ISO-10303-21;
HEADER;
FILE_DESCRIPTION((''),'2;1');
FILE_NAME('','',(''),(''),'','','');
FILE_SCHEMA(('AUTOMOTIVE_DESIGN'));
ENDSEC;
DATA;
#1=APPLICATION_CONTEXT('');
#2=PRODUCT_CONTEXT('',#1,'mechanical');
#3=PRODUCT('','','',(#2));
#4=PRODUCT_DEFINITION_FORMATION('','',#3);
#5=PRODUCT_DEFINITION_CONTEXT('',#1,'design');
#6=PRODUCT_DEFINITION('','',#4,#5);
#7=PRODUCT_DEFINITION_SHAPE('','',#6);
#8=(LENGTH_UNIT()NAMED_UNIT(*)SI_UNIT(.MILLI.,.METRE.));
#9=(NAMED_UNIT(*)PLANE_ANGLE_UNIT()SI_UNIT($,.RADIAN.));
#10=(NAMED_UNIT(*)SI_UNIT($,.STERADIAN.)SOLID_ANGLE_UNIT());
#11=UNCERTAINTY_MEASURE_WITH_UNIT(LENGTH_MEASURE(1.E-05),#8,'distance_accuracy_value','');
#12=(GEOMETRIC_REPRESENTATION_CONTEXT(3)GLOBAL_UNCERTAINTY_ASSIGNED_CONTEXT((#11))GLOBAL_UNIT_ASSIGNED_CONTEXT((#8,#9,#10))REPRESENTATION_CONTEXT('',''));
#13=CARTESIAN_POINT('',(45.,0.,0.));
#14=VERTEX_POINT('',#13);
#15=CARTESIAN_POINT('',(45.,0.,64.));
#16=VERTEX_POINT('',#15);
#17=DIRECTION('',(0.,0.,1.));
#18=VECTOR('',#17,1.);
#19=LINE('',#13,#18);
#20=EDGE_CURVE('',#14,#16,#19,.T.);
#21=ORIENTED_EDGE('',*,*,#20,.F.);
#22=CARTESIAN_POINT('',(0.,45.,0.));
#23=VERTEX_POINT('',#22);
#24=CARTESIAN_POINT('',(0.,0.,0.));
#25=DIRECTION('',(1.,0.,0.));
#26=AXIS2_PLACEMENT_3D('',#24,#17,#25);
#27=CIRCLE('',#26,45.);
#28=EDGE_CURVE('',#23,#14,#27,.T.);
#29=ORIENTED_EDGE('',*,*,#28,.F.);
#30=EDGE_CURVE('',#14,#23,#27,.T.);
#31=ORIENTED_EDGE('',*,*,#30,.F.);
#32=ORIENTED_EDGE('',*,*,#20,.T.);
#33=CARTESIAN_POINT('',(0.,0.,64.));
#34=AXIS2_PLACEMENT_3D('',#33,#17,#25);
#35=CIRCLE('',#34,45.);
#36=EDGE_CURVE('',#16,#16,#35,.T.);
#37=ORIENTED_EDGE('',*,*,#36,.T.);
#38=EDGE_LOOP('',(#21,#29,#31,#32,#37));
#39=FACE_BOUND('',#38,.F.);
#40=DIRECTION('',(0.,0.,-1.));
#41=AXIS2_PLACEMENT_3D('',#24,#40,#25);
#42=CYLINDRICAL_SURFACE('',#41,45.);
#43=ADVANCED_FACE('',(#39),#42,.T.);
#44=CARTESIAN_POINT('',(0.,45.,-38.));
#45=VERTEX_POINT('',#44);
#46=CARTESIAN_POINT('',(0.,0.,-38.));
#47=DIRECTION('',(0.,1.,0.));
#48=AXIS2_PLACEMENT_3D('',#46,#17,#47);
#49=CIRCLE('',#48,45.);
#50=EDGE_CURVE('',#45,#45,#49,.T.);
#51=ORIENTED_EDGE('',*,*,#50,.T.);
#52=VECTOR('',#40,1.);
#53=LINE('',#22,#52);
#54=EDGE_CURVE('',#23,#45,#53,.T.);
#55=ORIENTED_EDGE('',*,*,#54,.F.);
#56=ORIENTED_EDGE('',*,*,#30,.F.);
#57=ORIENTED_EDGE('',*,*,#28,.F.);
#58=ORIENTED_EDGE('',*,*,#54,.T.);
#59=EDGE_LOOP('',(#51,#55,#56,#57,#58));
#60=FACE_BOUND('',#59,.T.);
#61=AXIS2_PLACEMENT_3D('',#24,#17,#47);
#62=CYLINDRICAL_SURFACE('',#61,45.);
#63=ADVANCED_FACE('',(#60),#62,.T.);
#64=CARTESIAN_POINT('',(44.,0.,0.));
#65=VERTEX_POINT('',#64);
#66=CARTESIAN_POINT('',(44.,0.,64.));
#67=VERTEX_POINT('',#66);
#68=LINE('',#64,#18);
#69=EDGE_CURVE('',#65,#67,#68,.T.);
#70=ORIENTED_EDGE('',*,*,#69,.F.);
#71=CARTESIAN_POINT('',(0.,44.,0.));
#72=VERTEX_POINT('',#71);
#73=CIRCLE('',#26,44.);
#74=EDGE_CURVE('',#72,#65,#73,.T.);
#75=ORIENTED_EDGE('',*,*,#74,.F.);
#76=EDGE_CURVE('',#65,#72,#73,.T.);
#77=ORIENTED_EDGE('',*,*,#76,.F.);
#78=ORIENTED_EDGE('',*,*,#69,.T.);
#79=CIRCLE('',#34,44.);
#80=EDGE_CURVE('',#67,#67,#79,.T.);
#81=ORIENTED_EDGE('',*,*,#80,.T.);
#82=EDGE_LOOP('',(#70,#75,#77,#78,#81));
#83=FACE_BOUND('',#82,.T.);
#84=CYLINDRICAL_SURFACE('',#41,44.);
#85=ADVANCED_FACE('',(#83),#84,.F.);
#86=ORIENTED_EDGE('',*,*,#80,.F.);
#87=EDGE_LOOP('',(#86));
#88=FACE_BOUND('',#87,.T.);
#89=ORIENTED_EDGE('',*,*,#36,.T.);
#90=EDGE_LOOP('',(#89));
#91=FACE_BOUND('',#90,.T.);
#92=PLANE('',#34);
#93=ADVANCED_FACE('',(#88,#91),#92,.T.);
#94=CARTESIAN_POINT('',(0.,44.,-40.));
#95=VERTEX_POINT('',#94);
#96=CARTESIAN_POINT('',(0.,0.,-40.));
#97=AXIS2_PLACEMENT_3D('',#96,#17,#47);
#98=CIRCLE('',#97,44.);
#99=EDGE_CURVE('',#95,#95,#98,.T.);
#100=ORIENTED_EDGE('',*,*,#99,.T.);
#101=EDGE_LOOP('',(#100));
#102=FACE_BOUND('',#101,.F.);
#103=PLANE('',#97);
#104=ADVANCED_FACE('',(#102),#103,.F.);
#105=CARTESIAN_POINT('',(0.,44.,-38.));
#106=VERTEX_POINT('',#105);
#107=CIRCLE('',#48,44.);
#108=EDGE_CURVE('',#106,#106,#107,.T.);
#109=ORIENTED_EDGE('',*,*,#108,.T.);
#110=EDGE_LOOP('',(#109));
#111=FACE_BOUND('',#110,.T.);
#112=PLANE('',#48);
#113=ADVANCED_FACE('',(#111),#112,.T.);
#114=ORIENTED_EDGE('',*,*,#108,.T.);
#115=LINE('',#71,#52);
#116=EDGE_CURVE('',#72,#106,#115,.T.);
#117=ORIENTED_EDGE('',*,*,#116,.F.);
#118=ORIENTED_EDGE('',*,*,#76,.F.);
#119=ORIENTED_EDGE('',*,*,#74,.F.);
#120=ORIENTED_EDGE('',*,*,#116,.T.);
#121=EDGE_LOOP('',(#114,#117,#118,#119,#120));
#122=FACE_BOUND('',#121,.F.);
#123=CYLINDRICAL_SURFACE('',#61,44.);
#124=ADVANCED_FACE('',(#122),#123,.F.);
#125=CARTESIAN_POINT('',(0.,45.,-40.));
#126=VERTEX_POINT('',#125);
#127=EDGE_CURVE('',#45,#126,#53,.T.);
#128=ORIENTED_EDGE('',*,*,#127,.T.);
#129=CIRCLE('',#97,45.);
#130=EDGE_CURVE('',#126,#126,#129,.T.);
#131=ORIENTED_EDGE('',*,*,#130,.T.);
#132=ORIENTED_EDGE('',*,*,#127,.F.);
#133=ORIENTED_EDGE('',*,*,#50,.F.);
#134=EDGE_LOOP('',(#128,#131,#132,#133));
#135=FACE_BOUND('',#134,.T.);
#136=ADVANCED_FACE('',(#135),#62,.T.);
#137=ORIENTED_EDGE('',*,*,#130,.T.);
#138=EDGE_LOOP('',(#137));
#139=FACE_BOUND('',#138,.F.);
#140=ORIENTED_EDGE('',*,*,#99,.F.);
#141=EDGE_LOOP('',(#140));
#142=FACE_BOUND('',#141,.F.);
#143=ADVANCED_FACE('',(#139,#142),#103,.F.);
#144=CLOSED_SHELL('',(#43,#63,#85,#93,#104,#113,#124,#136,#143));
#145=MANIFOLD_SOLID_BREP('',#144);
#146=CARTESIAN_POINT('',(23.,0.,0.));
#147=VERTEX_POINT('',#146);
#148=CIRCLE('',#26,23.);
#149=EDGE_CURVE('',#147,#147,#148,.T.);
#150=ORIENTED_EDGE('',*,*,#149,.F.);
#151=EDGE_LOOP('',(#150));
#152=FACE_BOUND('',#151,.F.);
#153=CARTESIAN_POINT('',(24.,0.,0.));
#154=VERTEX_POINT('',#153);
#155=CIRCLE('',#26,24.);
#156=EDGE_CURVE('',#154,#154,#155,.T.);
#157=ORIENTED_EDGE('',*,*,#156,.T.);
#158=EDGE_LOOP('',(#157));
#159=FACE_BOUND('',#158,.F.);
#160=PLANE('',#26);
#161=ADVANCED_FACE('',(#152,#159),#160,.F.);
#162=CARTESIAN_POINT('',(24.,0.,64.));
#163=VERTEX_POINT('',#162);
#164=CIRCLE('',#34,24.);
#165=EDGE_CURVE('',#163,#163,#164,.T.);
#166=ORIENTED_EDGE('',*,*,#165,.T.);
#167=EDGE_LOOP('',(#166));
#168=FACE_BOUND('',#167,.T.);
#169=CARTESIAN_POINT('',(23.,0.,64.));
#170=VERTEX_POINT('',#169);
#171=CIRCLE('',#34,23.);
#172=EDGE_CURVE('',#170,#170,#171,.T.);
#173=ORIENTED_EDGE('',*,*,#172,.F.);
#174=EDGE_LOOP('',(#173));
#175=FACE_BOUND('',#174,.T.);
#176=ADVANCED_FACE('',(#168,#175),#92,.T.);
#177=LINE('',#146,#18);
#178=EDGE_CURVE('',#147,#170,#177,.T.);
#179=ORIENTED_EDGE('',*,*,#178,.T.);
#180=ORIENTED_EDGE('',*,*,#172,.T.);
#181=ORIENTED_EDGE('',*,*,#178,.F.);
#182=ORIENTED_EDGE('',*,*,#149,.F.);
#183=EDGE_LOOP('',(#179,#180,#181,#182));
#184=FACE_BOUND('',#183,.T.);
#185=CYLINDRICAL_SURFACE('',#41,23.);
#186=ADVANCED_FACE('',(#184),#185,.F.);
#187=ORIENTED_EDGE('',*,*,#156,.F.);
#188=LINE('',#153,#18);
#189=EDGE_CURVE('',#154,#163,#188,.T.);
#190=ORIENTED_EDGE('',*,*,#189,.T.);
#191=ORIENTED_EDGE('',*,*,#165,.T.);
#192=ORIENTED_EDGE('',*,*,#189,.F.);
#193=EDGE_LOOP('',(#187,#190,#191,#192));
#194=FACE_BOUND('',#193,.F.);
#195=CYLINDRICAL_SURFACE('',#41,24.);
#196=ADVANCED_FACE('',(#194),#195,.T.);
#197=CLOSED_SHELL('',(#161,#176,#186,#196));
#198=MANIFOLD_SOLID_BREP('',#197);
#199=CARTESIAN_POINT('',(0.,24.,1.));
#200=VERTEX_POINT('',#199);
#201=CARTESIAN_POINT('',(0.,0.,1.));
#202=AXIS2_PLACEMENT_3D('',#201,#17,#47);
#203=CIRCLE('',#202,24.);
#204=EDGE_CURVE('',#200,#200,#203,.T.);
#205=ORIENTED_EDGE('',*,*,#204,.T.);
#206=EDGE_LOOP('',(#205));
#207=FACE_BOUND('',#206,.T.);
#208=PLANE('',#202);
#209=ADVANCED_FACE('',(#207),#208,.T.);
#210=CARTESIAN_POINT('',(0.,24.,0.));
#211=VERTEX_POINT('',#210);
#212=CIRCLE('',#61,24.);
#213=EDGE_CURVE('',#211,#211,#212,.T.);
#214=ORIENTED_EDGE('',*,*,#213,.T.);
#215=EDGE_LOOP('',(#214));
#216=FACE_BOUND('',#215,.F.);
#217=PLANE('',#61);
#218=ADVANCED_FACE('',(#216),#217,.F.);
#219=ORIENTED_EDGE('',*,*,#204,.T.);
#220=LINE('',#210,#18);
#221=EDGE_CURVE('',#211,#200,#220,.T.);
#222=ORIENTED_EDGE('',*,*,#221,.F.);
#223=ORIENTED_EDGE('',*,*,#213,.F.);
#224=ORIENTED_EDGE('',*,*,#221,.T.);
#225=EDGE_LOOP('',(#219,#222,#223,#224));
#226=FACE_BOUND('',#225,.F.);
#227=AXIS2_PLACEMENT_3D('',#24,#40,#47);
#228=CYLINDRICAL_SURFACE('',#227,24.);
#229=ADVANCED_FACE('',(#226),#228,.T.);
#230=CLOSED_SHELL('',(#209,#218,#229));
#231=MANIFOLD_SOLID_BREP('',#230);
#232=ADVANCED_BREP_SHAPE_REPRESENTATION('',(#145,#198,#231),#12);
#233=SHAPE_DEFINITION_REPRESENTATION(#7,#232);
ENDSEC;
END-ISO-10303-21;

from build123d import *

# Parameters (mm, degrees)
BINDER_R      = 24
PAD002_DEPTH  = 1
SKETCH_R      = 24
SKETCH_R_2    = 23
PAD_DEPTH     = 64
SKETCH001_R   = 45
SKETCH001_R_2 = 44
PAD001_DEPTH  = 64
BINDER001_R   = 45
BINDER001_R_2 = 44
PAD003_DEPTH  = 40
BINDER002_R   = 45
PAD004_DEPTH  = 2


with BuildPart() as body:
    # Binder → Pad002 (new body)
    with BuildSketch(Plane(origin=(0, 0, 0), x_dir=(0, 1, 0), z_dir=(0, 0, 1))):
        Circle(BINDER_R)
    extrude(amount=PAD002_DEPTH)


with BuildPart() as pad:
    # Sketch → Pad (new body)
    with BuildSketch(Plane.XY):
        Circle(SKETCH_R)
        Circle(SKETCH_R_2, mode=Mode.SUBTRACT)
    extrude(amount=PAD_DEPTH)


with BuildPart() as body001:
    # Sketch001 → Pad001 (new body)
    with BuildSketch(Plane.XY):
        Circle(SKETCH001_R)
        Circle(SKETCH001_R_2, mode=Mode.SUBTRACT)
    extrude(amount=PAD001_DEPTH)

    # Binder001 → Pad003 (join)
    with BuildSketch(Plane(origin=(0, 0, 0), x_dir=(0, 1, 0), z_dir=(0, 0, 1))):
        Circle(BINDER001_R)
        Circle(BINDER001_R_2, mode=Mode.SUBTRACT)
    extrude(amount=-PAD003_DEPTH)

    # Binder002 → Pad004 (join)
    with BuildSketch(Plane(origin=(0, 0, -40), x_dir=(0, 1, 0), z_dir=(0, 0, 1))):
        Circle(BINDER002_R)
    extrude(amount=PAD004_DEPTH)


solid = Compound([body.part, pad.part, body001.part])
